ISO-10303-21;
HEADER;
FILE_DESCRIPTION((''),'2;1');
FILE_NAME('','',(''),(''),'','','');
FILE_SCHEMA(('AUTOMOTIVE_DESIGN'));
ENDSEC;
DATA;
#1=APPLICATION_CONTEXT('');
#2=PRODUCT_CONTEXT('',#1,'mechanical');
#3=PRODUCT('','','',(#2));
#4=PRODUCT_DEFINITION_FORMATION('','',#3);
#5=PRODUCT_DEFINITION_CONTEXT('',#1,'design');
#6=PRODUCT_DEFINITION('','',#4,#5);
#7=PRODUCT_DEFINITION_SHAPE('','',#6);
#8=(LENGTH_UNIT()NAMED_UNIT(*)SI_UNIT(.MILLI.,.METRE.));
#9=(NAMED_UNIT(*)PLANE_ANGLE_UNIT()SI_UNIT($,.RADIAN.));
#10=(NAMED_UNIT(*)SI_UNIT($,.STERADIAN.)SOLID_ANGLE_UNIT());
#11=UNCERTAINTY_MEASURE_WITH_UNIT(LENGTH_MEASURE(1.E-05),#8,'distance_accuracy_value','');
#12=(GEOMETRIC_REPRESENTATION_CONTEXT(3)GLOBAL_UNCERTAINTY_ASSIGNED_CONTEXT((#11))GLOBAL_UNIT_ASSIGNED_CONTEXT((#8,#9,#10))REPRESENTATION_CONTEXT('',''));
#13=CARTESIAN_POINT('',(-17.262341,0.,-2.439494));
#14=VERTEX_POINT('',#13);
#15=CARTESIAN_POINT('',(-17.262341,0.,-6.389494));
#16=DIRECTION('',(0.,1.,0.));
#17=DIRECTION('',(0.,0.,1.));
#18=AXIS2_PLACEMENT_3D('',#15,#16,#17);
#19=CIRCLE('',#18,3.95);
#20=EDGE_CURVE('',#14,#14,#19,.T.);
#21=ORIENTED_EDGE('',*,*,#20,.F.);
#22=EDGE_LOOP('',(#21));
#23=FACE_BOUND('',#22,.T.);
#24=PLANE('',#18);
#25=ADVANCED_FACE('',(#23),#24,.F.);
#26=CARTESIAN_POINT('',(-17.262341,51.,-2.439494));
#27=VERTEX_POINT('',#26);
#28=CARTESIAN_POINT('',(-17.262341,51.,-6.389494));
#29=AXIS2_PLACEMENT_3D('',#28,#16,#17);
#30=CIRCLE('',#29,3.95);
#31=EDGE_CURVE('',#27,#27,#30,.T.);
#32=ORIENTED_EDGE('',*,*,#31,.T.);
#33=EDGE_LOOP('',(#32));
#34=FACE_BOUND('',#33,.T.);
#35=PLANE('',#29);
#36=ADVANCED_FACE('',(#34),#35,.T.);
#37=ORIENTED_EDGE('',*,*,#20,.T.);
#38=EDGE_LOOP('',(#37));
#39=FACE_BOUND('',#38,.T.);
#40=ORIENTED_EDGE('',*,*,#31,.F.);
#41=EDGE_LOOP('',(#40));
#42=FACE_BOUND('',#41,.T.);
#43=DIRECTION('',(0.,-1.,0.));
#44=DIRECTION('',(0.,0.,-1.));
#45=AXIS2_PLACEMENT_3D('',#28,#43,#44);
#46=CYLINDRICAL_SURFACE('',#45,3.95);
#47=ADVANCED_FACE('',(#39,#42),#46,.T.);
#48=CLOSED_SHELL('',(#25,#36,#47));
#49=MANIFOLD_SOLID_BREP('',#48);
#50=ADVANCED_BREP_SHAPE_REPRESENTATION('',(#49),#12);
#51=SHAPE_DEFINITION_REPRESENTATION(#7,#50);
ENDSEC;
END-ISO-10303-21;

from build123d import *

# Parameters (mm, degrees)
SKETCH1_R           = 3.95
BOSS_EXTRUDE1_DEPTH = 51


with BuildPart() as part:
    # Sketch1 → Boss-Extrude1 (new body)
    with BuildSketch(Plane(origin=(0, 0, 0), x_dir=(1, 0, 0), z_dir=(0, 1, 0))):
        with Locations((-17.262341094, 6.389494373)):
            Circle(SKETCH1_R)
    extrude(amount=BOSS_EXTRUDE1_DEPTH)


solid = part.part
